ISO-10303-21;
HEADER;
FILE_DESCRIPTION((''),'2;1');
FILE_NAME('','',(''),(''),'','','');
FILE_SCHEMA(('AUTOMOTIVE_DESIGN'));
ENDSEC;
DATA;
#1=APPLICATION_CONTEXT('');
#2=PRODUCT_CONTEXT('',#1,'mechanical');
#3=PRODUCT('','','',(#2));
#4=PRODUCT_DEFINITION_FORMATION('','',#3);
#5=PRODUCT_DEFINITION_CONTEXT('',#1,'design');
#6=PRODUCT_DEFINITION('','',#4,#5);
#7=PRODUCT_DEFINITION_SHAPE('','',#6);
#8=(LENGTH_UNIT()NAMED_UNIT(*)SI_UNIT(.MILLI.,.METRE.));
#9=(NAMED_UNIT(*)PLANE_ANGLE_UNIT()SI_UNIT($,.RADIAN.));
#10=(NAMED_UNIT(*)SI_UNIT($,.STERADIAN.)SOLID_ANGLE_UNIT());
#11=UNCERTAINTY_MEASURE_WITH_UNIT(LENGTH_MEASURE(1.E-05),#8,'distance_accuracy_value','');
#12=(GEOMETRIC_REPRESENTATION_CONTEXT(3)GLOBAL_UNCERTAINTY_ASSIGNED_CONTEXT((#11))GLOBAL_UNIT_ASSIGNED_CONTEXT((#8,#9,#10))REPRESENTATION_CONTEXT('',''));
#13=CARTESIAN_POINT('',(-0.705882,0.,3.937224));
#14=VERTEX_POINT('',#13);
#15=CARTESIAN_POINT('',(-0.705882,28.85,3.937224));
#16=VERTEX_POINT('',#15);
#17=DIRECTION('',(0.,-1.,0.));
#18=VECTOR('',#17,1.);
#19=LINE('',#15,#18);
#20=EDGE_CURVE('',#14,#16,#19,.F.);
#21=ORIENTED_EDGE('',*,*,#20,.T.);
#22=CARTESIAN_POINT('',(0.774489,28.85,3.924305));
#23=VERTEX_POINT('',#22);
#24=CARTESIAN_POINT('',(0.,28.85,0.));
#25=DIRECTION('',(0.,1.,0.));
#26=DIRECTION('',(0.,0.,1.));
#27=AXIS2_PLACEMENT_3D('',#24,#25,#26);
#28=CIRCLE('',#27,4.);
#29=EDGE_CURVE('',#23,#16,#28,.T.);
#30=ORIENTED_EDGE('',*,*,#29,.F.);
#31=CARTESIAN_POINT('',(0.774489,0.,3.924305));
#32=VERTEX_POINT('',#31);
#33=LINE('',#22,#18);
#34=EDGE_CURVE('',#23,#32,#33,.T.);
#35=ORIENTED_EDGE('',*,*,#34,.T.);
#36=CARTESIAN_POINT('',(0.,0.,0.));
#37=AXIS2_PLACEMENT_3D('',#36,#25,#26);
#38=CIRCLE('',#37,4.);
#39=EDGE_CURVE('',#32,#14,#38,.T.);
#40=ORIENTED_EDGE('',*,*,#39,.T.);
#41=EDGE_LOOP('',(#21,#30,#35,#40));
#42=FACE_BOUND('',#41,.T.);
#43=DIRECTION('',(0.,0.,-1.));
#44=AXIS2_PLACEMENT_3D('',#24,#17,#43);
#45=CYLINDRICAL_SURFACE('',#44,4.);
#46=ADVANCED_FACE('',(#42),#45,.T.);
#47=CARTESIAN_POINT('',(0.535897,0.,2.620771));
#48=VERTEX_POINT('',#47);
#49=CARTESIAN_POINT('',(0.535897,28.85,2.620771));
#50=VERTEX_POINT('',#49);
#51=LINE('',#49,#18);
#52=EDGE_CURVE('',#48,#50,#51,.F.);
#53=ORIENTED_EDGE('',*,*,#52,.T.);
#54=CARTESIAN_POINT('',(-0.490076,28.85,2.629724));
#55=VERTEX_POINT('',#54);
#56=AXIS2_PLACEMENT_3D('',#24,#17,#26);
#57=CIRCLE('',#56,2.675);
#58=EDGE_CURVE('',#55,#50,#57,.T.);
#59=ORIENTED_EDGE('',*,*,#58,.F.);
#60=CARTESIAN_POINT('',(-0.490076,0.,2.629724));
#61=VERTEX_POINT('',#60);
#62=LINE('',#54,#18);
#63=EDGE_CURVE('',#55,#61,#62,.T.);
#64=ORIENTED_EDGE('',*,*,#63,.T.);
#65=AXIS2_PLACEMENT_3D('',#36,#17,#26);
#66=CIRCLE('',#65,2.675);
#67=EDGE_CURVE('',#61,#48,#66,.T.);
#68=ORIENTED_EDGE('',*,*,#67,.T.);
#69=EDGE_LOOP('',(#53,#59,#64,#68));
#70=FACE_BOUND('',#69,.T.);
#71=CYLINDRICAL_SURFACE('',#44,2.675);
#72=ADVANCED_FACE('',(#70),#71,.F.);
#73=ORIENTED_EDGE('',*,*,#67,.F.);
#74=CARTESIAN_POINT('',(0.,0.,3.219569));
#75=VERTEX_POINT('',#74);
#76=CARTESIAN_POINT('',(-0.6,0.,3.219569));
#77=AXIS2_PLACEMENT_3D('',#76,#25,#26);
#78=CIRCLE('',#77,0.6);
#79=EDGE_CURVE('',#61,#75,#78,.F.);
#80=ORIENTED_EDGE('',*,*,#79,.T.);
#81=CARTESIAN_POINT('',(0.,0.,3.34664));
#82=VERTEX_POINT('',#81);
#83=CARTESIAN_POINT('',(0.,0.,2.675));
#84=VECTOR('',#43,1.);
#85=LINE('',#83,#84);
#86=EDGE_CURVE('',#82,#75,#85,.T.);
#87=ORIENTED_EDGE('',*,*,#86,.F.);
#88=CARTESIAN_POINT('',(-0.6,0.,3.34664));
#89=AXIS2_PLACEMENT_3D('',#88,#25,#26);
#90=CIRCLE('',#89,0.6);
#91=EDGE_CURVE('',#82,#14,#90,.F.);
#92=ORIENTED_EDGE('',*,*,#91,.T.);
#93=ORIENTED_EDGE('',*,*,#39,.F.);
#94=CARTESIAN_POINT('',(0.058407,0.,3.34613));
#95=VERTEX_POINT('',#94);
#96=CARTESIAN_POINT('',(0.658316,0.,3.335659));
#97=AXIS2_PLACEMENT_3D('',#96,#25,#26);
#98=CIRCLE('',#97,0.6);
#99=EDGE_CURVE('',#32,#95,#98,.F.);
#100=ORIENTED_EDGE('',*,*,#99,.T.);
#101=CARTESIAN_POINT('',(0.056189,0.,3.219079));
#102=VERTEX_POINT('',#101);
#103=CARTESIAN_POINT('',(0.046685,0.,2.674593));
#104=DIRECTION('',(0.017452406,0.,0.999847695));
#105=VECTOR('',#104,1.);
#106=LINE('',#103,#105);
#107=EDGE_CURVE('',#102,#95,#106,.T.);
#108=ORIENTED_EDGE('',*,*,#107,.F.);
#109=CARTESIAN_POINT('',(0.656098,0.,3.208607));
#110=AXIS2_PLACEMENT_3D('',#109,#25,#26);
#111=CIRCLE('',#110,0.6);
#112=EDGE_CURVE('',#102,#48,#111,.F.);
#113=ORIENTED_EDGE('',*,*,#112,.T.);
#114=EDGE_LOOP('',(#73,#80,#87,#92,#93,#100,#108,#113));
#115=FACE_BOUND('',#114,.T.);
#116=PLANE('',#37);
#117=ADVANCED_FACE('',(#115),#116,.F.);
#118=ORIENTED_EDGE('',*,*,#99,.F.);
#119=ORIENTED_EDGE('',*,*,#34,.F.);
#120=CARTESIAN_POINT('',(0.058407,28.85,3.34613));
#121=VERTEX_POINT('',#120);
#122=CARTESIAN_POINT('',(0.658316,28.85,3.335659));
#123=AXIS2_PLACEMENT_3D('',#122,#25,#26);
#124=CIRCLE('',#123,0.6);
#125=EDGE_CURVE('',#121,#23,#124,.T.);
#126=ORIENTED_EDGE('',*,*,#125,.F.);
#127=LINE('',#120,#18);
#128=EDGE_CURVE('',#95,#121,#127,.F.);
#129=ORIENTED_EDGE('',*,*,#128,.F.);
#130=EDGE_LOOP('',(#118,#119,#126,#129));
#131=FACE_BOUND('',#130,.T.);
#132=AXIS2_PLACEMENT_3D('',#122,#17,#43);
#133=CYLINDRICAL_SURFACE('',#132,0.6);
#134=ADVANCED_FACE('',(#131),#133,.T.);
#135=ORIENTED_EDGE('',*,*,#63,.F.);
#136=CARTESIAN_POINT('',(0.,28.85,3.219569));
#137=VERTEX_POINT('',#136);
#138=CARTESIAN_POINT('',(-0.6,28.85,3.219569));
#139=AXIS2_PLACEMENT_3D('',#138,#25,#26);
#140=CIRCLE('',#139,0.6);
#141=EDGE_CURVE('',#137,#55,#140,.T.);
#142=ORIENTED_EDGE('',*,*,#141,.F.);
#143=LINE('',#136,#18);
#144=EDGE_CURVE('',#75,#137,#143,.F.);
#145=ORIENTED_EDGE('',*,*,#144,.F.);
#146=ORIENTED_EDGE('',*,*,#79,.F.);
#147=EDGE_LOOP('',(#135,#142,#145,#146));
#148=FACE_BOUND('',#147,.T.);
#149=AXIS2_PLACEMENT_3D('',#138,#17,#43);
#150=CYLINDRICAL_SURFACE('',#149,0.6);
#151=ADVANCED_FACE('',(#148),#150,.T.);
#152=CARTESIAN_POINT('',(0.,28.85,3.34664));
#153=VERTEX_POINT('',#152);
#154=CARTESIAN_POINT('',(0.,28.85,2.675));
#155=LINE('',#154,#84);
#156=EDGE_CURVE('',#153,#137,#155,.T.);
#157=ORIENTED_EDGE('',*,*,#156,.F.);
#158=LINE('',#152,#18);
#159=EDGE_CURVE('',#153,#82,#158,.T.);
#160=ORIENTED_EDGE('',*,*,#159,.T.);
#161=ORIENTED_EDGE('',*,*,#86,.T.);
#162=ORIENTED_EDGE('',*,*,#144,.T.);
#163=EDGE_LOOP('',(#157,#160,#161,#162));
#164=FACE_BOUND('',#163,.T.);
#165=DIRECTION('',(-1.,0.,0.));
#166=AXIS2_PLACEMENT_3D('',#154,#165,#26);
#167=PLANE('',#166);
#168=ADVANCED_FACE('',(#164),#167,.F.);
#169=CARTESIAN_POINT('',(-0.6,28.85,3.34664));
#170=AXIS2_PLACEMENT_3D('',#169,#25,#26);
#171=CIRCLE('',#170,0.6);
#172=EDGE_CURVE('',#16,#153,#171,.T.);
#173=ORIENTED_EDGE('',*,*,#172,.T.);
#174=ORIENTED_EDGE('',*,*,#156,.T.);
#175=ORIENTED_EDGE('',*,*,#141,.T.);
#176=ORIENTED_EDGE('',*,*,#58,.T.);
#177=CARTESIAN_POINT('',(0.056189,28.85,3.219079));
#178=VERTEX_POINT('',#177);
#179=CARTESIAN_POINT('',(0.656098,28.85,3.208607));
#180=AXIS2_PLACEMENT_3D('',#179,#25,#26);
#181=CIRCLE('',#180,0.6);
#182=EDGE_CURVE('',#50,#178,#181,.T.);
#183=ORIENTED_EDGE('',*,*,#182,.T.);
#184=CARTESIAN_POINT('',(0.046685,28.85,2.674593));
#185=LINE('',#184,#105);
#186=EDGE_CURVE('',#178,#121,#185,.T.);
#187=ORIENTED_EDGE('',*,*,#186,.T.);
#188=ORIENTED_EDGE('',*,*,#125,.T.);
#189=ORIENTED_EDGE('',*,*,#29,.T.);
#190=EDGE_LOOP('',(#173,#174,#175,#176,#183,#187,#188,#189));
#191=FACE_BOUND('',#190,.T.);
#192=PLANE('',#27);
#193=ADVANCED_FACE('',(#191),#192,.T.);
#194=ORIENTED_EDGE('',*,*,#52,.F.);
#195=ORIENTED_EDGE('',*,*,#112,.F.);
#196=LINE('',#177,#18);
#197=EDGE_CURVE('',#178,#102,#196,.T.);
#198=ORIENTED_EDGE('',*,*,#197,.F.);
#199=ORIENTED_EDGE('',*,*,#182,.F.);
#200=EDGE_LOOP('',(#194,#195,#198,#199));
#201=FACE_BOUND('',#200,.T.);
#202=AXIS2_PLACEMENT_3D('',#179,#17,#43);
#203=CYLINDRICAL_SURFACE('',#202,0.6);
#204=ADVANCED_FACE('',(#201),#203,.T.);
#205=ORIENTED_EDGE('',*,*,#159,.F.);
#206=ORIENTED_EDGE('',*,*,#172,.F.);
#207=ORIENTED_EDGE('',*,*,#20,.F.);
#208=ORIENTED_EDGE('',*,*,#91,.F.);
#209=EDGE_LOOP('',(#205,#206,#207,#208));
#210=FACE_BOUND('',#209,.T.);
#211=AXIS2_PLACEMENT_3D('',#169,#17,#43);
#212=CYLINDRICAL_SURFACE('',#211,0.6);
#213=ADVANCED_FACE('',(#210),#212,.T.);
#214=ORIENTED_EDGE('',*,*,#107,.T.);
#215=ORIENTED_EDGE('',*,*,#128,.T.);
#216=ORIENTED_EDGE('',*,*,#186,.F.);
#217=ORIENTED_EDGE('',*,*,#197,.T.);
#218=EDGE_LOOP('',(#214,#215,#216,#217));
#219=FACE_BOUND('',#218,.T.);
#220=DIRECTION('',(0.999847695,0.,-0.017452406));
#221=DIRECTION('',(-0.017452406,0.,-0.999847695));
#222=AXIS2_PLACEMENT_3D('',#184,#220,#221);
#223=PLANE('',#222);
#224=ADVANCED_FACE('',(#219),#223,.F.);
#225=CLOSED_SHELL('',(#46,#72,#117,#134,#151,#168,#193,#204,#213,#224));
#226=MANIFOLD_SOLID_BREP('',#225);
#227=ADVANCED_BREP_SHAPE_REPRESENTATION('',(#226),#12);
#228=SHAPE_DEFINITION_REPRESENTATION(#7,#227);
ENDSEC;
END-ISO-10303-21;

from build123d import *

# Parameters (mm, degrees)
BOSS_EXTRUDE1_DEPTH = 28.85
FILLET1_R           = 0.6


with BuildPart() as part:
    # Sketch1 → Boss-Extrude1 (new body)
    with BuildSketch(Plane(origin=(0, 0, 0), x_dir=(1, 0, 0), z_dir=(0, 1, 0))):
        with BuildLine():
            Line((0.046685187, -2.674592585), (0.069809626, -3.999390781))
            ThreePointArc((0.069809626, -3.999390781), (-0.034906142, 3.999847692), (0, -4))
            Line((0, -4), (0, -2.675))
            ThreePointArc((0, -2.675), (-0.023343482, 2.674898144), (0.046685187, -2.674592585))
        make_face()
    extrude(amount=BOSS_EXTRUDE1_DEPTH)

    # Fillet1
    fillet1_edges = [part.edges().sort_by_distance(p)[0] for p in [
        (0, 14.425, 2.675),
        (0, 14.425, 4),
        (0.069809626, 14.425, 3.999390781),
        (0.046685187, 14.425, 2.674592585),
    ]]
    fillet(fillet1_edges, radius=FILLET1_R)


solid = part.part
